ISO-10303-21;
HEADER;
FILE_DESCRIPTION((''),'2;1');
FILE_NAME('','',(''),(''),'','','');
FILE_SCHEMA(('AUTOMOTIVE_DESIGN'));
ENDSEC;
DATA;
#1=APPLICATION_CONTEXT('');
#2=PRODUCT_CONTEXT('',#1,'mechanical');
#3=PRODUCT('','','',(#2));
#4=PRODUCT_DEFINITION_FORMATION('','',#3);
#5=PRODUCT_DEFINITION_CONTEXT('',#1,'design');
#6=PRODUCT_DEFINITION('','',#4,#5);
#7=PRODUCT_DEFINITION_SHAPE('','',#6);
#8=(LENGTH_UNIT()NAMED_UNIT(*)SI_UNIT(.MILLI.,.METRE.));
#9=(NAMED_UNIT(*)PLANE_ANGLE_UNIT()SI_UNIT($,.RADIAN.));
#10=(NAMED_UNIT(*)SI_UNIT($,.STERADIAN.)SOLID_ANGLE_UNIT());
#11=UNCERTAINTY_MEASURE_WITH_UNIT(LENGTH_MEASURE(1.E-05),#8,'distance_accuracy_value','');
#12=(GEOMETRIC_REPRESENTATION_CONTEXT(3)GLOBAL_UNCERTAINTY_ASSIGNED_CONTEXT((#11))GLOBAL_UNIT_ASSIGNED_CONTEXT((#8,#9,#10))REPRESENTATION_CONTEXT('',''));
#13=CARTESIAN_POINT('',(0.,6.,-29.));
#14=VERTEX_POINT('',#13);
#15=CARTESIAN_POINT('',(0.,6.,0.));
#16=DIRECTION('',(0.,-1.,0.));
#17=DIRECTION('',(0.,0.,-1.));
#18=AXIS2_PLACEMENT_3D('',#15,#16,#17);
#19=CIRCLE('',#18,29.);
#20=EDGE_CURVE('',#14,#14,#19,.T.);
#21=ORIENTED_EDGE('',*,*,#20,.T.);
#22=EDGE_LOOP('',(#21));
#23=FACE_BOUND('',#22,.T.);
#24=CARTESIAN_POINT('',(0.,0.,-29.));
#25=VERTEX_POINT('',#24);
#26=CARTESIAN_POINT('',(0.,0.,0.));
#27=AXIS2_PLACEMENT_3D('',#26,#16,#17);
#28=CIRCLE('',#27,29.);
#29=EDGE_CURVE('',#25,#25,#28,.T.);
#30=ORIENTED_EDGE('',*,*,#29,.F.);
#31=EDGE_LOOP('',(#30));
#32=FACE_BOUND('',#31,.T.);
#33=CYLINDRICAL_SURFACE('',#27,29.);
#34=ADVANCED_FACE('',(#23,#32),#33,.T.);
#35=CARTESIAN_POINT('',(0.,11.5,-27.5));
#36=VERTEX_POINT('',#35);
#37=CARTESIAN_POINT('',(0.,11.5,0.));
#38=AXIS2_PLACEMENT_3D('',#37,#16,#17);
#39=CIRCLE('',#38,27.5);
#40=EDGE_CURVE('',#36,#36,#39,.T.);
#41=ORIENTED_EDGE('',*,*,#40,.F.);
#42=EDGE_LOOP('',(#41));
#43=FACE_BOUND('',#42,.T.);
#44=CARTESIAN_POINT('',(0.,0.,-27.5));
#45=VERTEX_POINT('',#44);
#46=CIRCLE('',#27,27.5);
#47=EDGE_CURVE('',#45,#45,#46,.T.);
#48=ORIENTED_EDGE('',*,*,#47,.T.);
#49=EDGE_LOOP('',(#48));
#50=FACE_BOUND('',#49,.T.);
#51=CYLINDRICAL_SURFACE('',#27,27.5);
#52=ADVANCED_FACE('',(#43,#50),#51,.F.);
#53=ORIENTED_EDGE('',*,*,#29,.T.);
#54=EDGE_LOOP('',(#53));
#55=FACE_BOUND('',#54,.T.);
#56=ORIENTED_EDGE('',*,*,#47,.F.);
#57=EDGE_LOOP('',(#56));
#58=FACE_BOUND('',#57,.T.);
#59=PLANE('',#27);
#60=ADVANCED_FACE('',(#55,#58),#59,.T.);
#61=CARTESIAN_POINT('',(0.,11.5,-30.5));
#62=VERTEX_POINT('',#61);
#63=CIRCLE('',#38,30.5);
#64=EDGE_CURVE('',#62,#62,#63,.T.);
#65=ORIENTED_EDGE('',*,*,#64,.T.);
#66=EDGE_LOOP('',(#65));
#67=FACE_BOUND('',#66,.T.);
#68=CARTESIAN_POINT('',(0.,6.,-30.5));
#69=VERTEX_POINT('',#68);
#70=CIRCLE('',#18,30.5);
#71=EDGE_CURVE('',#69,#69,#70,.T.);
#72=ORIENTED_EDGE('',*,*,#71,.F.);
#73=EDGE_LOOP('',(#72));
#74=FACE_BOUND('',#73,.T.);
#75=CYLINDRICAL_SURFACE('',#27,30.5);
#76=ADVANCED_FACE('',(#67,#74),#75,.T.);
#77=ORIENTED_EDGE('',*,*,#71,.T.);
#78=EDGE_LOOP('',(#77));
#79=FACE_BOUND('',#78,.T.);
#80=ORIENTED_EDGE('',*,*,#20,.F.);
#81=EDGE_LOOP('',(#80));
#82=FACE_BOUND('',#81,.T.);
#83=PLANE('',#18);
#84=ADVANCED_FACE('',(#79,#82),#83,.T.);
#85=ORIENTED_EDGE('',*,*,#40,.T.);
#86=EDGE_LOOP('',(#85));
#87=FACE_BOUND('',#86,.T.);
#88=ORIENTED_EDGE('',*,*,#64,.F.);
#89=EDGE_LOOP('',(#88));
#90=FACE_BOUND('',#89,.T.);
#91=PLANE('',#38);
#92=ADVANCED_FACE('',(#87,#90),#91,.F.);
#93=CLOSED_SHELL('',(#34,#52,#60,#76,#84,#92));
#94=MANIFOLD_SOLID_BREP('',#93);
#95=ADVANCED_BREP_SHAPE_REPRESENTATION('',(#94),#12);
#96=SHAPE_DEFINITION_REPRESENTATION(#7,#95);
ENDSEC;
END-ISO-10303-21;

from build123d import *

# Parameters (mm, degrees)
SKETCH1_W   = 1.5
SKETCH1_H   = 11.5
SKETCH1_H_2 = 5.5


with BuildPart() as part:
    # Sketch1 → Revolve1 (revolve)
    with BuildSketch(Plane.XY, mode=Mode.PRIVATE) as revolve1_sk:
        with Locations((28.25, 5.75)):
            Rectangle(SKETCH1_W, SKETCH1_H)
        with Locations((29.75, 8.75)):
            Rectangle(SKETCH1_W, SKETCH1_H_2)
    revolve(revolve1_sk.sketch.rotate(Axis((0, 0, 0), (0, 1, 0)), 90), axis=Axis((0, 0, 0), (0, 1, 0)))


solid = part.part
